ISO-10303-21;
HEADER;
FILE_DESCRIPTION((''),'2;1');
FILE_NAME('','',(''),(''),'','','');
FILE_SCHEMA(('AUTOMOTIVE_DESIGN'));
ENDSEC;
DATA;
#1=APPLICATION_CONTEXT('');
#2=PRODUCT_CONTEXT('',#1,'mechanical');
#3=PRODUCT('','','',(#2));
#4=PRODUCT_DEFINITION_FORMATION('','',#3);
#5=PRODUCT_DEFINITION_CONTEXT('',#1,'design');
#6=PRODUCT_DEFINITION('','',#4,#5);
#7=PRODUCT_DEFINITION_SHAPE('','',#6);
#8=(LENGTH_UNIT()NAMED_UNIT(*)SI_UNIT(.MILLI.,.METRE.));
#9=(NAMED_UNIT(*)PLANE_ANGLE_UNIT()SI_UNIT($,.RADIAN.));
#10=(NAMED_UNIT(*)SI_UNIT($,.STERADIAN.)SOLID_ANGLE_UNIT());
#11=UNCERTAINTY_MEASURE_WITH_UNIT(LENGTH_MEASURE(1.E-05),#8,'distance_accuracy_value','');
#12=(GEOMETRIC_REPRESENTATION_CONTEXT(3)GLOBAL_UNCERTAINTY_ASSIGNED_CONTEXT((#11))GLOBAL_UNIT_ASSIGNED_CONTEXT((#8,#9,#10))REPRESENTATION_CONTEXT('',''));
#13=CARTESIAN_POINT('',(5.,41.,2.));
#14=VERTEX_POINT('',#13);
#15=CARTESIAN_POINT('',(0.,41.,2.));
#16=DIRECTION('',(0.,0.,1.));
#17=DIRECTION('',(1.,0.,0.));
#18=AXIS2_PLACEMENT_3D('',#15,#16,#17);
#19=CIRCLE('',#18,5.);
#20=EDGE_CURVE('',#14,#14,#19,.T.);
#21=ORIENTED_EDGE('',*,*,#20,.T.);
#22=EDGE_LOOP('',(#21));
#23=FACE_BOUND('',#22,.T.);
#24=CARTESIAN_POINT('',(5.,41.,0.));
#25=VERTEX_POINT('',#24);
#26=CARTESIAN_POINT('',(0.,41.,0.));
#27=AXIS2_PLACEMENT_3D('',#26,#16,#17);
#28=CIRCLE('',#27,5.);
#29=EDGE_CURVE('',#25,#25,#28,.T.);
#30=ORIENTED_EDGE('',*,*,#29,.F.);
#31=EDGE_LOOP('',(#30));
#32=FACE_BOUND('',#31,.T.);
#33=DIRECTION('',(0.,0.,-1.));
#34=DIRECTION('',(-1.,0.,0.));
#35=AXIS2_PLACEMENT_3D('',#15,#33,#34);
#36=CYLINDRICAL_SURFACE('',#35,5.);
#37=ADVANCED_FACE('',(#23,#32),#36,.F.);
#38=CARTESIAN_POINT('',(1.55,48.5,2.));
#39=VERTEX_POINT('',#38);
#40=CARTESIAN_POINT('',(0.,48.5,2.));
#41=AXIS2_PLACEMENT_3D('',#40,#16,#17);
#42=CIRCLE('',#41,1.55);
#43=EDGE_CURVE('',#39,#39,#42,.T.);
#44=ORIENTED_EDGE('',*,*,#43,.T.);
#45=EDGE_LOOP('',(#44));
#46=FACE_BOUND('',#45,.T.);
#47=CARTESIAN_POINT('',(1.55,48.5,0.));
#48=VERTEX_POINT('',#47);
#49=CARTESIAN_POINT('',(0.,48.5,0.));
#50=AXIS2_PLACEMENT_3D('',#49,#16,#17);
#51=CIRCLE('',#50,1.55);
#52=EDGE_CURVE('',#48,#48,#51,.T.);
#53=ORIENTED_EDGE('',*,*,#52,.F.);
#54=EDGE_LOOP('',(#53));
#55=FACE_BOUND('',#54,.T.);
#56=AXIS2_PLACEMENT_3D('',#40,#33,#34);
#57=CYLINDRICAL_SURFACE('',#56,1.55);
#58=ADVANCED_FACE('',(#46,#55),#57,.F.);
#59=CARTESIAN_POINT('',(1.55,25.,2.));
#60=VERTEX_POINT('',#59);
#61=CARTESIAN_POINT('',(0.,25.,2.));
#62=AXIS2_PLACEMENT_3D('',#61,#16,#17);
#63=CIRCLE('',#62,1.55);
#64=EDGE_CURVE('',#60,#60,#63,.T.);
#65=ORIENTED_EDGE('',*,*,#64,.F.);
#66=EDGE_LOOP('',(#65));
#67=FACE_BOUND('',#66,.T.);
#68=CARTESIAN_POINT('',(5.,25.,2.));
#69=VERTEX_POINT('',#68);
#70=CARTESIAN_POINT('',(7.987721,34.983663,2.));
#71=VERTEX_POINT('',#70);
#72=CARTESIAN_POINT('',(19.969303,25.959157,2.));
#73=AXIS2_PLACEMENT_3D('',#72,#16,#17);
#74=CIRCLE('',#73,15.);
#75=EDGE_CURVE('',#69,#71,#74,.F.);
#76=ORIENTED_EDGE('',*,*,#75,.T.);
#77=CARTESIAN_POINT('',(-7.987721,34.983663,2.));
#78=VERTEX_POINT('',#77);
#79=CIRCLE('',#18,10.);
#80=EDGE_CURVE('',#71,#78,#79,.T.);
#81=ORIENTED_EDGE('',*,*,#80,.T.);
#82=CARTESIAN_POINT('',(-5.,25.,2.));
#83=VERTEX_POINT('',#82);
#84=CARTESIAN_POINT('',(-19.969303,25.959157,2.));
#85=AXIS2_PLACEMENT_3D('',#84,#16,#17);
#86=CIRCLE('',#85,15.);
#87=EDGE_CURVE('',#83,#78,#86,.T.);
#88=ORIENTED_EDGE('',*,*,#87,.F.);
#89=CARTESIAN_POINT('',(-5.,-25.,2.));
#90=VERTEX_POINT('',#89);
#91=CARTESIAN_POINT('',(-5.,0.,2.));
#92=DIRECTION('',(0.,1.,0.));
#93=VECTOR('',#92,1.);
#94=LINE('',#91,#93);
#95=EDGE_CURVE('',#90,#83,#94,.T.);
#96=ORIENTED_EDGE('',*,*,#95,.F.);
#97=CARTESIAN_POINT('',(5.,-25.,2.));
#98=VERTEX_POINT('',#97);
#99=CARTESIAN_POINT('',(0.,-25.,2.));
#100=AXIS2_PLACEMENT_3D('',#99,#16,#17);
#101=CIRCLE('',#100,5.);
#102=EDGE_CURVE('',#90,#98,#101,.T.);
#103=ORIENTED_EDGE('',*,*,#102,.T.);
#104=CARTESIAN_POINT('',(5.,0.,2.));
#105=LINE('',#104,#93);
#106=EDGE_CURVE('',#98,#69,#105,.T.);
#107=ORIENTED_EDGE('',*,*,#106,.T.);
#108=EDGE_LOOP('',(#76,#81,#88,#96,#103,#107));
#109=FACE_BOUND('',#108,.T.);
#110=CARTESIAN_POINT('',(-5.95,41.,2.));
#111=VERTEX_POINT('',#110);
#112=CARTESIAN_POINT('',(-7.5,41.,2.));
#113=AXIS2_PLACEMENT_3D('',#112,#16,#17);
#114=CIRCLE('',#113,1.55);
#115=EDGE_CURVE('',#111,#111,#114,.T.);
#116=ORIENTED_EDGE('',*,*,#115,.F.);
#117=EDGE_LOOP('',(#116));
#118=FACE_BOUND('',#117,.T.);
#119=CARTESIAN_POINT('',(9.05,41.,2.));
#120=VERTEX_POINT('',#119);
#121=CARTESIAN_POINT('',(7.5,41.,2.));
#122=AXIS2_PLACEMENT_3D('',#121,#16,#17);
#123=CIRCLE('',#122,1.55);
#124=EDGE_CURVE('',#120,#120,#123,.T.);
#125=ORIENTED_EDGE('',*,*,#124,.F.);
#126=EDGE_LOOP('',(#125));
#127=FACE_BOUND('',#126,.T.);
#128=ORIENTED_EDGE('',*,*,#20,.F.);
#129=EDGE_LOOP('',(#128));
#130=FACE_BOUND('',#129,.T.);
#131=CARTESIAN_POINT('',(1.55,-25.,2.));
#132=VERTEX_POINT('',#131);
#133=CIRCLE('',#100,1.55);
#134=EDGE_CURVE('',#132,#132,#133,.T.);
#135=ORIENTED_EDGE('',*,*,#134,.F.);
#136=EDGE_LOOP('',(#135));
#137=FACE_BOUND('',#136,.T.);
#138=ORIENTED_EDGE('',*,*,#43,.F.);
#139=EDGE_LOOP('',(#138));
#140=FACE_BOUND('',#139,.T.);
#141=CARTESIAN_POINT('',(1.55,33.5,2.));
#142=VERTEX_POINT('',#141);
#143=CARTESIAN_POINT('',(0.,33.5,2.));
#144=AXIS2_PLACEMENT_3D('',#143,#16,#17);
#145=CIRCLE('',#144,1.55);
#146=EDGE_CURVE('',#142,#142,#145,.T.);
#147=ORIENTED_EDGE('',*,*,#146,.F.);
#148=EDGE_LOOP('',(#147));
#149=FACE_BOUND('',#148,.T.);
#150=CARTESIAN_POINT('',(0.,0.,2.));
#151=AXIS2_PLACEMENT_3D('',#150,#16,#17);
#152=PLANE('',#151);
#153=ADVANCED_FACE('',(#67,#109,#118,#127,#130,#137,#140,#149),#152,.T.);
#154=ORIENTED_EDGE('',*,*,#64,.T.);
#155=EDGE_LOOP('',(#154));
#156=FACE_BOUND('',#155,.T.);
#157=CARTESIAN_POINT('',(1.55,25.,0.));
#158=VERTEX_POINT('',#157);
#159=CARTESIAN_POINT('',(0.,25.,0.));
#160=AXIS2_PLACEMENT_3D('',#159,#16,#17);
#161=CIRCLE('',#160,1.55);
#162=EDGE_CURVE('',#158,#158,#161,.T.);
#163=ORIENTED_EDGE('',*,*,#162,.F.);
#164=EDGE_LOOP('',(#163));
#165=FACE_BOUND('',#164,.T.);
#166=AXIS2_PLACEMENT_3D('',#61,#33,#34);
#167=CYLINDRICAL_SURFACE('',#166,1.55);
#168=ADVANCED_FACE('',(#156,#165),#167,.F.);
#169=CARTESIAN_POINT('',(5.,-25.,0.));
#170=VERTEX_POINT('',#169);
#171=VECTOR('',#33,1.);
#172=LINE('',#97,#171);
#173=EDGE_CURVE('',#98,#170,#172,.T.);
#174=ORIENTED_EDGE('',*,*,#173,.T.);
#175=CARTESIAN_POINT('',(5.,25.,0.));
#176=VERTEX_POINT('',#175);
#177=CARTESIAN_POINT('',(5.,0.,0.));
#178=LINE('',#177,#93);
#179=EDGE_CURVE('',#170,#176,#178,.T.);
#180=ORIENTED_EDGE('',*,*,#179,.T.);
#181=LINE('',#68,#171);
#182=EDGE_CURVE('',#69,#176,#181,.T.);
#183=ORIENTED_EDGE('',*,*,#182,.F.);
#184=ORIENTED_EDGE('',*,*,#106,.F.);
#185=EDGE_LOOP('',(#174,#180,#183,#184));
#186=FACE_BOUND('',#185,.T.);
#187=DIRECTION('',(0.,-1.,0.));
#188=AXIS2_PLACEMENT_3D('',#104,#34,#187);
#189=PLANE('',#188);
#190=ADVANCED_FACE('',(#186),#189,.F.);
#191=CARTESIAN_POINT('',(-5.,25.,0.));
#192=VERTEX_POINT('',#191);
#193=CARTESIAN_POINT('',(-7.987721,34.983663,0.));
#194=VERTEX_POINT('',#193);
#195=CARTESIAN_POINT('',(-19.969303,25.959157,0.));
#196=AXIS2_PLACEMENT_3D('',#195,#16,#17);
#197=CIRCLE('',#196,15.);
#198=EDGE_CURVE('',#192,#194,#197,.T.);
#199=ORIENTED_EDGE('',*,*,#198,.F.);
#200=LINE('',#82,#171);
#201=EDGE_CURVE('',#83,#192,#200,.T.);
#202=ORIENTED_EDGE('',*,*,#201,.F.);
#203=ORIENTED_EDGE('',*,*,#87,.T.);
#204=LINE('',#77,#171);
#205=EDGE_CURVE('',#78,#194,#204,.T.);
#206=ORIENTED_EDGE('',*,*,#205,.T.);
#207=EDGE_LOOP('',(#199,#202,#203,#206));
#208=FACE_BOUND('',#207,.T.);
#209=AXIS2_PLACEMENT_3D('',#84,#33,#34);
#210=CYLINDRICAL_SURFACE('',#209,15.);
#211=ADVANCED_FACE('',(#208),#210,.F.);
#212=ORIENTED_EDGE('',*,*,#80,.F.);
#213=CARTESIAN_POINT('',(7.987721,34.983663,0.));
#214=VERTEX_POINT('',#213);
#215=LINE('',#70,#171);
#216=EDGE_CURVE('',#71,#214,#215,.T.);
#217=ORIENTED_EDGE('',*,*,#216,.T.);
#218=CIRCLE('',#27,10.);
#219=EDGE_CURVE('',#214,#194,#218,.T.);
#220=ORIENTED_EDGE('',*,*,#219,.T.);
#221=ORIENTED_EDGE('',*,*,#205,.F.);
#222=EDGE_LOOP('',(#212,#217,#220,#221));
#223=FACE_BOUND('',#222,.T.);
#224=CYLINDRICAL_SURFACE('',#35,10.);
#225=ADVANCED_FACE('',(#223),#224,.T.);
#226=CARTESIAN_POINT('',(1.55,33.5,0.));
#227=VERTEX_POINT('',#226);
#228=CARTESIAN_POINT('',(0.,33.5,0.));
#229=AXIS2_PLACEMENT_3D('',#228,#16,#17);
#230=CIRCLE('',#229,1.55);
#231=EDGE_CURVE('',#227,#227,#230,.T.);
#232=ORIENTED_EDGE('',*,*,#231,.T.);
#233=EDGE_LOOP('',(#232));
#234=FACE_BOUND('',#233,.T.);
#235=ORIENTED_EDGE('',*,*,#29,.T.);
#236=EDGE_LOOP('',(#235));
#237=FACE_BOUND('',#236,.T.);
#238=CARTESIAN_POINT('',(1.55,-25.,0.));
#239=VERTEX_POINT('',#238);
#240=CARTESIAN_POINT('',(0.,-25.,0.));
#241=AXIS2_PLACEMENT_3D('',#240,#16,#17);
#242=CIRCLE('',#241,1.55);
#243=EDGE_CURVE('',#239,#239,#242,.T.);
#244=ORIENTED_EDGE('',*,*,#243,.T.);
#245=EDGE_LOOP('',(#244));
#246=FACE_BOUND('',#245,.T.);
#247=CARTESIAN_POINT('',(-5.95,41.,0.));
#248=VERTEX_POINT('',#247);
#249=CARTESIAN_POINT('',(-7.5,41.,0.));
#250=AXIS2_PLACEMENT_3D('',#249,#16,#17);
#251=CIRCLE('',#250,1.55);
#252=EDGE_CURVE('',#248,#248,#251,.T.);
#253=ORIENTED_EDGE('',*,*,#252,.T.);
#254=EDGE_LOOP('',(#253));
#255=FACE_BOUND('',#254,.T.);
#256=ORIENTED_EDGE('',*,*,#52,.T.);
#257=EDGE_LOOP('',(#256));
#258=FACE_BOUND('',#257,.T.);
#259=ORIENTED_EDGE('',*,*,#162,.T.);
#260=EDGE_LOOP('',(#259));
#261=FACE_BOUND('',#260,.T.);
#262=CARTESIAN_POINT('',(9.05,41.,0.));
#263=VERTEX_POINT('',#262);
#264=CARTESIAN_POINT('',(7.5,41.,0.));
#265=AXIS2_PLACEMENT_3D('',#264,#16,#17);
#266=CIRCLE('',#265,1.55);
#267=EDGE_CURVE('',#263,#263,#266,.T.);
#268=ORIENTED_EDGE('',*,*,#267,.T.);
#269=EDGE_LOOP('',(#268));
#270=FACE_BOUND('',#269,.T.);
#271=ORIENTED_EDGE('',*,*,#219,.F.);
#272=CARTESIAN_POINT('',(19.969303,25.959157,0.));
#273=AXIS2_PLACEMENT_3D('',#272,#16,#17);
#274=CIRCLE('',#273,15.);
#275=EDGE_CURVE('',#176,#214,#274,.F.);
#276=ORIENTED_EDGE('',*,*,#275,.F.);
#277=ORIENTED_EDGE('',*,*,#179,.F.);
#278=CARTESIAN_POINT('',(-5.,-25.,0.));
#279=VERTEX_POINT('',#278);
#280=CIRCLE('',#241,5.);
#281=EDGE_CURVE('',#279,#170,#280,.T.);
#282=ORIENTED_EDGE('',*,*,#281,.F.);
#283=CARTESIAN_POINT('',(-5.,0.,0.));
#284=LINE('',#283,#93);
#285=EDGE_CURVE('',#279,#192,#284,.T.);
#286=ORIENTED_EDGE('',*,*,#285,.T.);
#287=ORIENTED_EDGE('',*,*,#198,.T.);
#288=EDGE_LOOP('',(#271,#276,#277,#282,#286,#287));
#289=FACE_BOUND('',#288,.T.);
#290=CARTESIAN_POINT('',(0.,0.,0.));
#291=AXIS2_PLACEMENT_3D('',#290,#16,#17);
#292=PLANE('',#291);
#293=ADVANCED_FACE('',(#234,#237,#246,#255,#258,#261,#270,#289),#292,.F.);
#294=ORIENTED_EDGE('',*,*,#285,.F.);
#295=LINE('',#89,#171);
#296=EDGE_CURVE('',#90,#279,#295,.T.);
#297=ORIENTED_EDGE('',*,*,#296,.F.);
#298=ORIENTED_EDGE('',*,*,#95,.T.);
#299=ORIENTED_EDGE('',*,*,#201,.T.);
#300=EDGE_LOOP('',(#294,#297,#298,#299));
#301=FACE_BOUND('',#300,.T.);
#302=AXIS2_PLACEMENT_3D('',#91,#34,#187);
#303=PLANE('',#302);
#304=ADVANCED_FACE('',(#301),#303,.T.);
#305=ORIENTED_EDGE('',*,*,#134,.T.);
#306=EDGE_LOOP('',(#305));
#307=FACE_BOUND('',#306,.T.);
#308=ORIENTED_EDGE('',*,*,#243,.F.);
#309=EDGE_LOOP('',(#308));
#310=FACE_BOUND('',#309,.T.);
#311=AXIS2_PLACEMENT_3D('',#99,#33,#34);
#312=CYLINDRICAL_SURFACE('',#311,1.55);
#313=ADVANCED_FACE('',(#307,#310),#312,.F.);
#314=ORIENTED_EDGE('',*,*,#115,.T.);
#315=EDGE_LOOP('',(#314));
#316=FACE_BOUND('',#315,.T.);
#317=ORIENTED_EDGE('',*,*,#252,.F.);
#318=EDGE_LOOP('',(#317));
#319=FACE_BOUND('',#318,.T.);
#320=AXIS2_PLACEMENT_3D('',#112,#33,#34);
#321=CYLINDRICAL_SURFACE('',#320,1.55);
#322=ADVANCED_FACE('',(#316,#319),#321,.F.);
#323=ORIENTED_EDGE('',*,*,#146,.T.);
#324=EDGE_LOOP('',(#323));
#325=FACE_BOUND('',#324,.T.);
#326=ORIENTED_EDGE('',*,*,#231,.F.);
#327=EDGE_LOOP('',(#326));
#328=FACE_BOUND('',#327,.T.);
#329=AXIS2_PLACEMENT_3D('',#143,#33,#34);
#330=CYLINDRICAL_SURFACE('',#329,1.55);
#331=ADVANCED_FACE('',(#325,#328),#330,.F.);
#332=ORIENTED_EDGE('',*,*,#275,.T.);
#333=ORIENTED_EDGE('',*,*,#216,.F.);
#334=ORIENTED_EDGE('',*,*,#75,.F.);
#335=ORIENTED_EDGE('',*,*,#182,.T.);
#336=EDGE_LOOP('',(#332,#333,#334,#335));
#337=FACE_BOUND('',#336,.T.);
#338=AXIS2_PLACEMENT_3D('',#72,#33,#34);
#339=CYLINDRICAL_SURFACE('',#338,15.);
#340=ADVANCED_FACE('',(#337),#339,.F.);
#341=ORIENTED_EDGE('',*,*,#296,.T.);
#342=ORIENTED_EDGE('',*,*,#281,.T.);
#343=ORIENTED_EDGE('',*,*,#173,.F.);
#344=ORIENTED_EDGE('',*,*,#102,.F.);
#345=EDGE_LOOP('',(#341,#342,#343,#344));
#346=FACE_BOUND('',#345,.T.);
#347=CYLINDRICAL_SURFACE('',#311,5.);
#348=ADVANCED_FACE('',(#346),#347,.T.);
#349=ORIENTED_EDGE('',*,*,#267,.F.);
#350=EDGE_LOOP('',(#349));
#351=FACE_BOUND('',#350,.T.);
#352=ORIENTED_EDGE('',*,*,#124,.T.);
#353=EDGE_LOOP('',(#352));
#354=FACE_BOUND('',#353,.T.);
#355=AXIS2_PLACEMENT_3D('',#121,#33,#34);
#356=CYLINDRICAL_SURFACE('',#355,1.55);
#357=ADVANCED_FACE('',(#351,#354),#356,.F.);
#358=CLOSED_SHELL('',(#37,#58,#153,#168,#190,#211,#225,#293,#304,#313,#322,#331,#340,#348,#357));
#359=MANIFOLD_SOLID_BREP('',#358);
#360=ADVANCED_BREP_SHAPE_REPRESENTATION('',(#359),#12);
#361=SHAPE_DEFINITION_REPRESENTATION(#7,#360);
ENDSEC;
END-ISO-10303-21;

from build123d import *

# Parameters (mm, degrees)
SKETCH_1_R      = 1.55
SKETCH_1_R_2    = 5
EXTRUDE_1_DEPTH = 2


with BuildPart() as part:
    # 草图1 → 凸台-拉伸1 (new body)
    with BuildSketch(Plane.XY):
        with BuildLine():
            Line((-5, 25), (-5, -25))
            ThreePointArc((-5, -25), (0, -30), (5, -25))
            Line((5, -25), (5, 25))
            ThreePointArc((5, 25), (5.598988732, 30.259631636), (7.987721006, 34.983662814))
            ThreePointArc((7.987721006, 34.983662814), (0, 51), (-7.987721006, 34.983662814))
            ThreePointArc((-7.987721006, 34.983662814), (-5.598988732, 30.259631636), (-5, 25))
        make_face()
        with Locations((0, -25)):
            Circle(SKETCH_1_R, mode=Mode.SUBTRACT)
        with Locations((0, 25)):
            Circle(SKETCH_1_R, mode=Mode.SUBTRACT)
        with Locations((7.5, 41)):
            Circle(SKETCH_1_R, mode=Mode.SUBTRACT)
        with Locations((-7.5, 41)):
            Circle(SKETCH_1_R, mode=Mode.SUBTRACT)
        with Locations((0, 33.5)):
            Circle(SKETCH_1_R, mode=Mode.SUBTRACT)
        with Locations((0, 41)):
            Circle(SKETCH_1_R_2, mode=Mode.SUBTRACT)
        with Locations((0, 48.5)):
            Circle(SKETCH_1_R, mode=Mode.SUBTRACT)
    extrude(amount=EXTRUDE_1_DEPTH)


solid = part.part
